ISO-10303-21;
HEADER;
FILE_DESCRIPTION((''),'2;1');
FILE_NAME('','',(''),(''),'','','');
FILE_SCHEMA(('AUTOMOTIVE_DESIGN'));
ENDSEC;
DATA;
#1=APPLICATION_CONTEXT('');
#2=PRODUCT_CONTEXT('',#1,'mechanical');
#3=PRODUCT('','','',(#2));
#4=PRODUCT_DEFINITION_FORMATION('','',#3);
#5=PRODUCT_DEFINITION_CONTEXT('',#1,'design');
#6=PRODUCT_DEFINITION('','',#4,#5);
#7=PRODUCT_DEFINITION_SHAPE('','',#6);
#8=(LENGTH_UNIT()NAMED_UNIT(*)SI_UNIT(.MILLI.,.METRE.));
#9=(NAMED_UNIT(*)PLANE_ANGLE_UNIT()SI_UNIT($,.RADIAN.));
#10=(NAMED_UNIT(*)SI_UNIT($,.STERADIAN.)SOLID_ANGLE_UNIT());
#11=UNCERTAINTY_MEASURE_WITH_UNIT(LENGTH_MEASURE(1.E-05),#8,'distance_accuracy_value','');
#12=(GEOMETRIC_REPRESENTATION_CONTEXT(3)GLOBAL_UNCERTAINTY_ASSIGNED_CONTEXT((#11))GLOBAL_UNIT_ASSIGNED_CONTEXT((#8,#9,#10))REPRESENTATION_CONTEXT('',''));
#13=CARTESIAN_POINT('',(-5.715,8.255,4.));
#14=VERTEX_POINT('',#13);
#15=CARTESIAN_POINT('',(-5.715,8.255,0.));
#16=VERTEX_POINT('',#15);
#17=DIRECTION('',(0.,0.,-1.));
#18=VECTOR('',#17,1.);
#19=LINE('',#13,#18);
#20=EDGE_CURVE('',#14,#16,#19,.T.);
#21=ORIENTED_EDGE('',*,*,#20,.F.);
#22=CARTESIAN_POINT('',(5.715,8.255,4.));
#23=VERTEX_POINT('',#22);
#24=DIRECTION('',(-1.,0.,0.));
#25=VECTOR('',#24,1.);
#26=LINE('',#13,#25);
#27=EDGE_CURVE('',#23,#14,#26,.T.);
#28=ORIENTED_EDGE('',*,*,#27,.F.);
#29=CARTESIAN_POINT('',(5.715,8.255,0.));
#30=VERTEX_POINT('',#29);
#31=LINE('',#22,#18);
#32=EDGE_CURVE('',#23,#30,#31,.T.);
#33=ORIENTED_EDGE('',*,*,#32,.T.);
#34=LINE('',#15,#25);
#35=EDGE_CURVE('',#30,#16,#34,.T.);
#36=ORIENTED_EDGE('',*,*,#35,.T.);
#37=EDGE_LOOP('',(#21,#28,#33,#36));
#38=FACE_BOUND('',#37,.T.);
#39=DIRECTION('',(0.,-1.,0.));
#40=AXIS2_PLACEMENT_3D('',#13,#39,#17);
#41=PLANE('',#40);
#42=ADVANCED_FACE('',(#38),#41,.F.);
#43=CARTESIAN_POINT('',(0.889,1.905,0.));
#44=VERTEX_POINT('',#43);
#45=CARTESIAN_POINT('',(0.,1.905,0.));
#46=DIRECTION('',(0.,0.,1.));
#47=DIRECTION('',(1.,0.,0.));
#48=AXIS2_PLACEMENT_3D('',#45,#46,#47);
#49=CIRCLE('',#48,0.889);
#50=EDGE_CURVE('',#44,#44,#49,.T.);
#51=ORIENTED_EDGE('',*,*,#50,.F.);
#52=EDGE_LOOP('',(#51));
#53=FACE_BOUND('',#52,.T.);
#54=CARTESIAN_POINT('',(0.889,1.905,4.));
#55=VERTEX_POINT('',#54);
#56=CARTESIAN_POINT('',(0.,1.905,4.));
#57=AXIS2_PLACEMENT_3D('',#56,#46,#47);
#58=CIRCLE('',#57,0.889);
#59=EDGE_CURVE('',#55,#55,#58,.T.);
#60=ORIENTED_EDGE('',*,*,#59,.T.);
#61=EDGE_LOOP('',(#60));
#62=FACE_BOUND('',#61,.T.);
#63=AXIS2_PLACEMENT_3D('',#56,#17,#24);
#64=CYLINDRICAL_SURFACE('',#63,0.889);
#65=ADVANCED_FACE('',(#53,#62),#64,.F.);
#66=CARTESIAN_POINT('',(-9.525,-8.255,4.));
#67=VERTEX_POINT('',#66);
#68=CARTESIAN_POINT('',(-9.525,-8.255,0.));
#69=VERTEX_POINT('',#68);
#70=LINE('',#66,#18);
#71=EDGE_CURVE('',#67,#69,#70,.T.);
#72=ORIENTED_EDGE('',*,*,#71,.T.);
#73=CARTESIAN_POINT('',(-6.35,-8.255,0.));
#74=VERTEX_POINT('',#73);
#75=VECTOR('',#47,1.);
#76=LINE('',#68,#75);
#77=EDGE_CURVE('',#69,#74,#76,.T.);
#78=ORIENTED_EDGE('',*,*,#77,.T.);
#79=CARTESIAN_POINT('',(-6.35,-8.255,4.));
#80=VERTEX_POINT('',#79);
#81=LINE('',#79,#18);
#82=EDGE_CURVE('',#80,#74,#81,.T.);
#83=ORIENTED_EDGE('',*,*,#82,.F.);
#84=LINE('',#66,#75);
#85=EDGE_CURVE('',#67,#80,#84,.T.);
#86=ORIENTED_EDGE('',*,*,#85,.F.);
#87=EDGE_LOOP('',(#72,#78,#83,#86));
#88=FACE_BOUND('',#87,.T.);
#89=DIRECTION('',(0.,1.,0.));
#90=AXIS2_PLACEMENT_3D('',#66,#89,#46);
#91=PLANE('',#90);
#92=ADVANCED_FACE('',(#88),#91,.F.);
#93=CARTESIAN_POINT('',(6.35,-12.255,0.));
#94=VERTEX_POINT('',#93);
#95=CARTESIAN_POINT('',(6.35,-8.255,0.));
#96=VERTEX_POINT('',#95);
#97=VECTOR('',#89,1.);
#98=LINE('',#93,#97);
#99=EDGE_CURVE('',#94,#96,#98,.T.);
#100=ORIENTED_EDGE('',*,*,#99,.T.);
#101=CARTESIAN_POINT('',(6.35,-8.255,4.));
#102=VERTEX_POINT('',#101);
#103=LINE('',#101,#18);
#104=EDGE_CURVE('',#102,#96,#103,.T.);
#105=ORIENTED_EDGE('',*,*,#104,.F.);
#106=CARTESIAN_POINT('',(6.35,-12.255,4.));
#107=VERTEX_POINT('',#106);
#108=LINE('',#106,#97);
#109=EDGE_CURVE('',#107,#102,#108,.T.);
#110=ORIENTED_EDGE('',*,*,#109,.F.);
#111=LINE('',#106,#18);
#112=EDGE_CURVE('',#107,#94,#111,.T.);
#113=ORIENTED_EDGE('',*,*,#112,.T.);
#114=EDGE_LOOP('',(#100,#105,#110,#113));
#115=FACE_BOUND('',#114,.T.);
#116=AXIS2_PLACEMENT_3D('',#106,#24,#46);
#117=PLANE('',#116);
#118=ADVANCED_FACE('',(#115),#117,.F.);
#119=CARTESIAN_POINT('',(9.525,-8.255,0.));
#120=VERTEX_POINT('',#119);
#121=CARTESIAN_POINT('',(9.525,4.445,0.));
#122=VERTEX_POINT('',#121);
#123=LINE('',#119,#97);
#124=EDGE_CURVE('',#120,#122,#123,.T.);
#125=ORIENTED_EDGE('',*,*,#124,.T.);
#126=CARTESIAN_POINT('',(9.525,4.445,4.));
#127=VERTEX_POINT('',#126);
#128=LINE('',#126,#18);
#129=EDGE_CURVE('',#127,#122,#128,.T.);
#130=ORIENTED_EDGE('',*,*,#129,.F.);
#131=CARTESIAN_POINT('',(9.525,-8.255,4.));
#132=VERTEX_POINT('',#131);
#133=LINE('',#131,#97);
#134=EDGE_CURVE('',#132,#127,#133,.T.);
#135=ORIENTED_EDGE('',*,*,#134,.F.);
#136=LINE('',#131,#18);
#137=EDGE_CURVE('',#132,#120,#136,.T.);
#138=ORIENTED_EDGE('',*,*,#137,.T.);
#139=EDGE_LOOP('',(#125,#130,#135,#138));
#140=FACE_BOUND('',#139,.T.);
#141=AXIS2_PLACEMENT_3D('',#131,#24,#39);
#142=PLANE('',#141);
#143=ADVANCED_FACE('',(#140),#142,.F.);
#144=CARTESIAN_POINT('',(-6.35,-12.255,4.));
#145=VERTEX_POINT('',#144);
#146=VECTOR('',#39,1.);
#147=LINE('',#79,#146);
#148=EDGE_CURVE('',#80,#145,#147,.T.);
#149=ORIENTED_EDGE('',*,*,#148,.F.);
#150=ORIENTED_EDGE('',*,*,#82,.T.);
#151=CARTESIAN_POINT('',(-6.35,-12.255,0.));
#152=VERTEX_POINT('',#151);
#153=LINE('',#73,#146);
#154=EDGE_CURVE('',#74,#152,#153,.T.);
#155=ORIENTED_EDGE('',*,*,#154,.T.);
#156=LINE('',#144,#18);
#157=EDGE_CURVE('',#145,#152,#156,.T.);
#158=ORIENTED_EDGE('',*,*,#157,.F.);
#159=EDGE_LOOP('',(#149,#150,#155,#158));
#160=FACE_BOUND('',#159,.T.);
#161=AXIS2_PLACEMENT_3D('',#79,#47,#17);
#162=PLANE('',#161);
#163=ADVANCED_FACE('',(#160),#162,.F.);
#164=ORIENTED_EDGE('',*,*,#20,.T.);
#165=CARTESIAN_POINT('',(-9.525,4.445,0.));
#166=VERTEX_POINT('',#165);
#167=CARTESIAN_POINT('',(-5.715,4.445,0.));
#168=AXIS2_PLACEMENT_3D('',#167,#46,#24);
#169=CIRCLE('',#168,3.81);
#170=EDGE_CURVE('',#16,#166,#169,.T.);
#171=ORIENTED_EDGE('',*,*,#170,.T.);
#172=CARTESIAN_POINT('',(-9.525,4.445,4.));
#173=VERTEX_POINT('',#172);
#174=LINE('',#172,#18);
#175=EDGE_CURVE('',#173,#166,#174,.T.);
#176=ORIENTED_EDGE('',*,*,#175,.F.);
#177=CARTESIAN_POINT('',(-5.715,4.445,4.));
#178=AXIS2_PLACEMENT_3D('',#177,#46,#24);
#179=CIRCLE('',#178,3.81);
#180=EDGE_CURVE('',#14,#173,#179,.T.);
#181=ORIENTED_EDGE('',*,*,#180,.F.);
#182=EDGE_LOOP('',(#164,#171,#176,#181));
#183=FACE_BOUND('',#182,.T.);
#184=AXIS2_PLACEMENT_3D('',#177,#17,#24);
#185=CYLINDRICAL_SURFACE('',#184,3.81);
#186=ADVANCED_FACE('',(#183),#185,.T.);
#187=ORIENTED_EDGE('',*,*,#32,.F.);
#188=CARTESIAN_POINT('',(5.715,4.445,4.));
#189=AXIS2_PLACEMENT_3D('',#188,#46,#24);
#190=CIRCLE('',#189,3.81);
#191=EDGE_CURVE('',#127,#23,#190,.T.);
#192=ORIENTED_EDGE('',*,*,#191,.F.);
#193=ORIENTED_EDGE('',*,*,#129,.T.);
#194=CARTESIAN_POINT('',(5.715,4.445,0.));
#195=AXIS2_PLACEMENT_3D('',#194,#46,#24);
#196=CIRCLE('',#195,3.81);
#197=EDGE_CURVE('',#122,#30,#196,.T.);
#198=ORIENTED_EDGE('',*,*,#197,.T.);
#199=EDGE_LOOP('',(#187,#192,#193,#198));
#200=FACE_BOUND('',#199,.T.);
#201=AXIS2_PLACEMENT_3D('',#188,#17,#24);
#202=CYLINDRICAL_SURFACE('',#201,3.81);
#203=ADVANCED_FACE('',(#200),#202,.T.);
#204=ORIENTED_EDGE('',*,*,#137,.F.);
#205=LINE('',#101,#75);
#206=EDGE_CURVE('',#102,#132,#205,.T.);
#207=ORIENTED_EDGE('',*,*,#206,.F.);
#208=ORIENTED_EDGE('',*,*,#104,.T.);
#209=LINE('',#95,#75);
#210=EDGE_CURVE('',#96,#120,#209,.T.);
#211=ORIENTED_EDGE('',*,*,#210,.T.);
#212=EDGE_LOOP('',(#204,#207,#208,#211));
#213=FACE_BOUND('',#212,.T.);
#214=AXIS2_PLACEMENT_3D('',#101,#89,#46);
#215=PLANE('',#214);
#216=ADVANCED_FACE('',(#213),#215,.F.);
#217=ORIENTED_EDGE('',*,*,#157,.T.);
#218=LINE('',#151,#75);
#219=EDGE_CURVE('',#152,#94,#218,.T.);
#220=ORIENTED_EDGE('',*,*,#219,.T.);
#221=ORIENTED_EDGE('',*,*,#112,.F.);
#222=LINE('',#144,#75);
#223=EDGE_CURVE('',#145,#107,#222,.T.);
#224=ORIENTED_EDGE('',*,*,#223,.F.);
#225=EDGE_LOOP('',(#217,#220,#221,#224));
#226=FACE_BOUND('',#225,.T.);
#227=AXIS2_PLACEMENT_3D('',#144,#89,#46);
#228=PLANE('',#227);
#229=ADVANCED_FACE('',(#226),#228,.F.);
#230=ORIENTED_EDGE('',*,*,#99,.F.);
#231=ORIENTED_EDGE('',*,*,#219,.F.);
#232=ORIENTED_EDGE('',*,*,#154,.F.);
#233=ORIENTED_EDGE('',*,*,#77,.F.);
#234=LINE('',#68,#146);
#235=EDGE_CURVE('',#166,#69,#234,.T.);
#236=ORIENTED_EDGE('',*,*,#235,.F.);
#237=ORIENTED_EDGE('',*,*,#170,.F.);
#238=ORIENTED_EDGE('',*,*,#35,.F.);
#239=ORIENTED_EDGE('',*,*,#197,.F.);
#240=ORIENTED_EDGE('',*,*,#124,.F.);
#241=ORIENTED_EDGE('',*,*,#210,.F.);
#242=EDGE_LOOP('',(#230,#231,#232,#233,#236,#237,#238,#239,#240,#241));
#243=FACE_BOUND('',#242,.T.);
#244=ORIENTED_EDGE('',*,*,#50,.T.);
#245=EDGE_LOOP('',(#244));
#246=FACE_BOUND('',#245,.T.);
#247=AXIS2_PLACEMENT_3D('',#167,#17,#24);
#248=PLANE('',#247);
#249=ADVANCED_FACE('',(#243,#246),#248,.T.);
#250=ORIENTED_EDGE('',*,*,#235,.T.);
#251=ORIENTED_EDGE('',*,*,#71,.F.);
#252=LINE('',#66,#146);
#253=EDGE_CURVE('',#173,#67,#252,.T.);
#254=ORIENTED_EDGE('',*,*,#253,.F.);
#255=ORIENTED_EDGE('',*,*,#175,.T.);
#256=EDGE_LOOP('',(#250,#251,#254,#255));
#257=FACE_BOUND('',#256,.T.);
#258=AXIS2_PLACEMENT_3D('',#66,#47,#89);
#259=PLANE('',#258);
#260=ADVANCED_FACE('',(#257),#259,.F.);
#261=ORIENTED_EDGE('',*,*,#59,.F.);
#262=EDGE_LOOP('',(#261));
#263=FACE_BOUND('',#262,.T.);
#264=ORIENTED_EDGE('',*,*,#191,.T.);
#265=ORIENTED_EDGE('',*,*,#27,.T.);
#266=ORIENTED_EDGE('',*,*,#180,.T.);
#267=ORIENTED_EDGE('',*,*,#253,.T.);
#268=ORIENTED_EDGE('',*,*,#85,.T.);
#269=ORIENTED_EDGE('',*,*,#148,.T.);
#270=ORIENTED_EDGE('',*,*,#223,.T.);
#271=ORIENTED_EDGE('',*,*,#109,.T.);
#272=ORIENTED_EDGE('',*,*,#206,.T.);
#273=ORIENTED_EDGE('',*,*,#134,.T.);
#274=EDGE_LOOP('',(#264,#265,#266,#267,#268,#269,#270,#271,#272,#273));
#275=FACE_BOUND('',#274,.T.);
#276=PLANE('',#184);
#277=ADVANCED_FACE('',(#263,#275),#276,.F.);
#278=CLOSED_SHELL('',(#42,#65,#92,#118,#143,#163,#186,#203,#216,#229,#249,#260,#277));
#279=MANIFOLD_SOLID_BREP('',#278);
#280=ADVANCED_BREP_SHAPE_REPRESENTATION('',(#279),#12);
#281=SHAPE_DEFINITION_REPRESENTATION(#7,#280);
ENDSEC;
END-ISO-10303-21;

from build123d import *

# Parameters (mm, degrees)
SKETCH2_R           = 0.889
BOSS_EXTRUDE1_DEPTH = 4


with BuildPart() as part:
    # Sketch2 → Boss-Extrude1 (new body)
    with BuildSketch(Plane.XY):
        with BuildLine():
            Line((-9.525, -8.255), (-6.35, -8.255))
            Line((-6.35, -8.255), (-6.35, -12.255))
            Line((-6.35, -12.255), (6.35, -12.255))
            Line((6.35, -12.255), (6.35, -8.255))
            Line((6.35, -8.255), (9.525, -8.255))
            Line((9.525, -8.255), (9.525, 4.445))
            ThreePointArc((9.525, 4.445), (8.409076836, 7.139076836), (5.715, 8.255))
            Line((5.715, 8.255), (-5.715, 8.255))
            ThreePointArc((-5.715, 8.255), (-8.409076836, 7.139076836), (-9.525, 4.445))
            Line((-9.525, 4.445), (-9.525, -8.255))
        make_face()
        with Locations((0, 1.905)):
            Circle(SKETCH2_R, mode=Mode.SUBTRACT)
    extrude(amount=BOSS_EXTRUDE1_DEPTH)


solid = part.part
